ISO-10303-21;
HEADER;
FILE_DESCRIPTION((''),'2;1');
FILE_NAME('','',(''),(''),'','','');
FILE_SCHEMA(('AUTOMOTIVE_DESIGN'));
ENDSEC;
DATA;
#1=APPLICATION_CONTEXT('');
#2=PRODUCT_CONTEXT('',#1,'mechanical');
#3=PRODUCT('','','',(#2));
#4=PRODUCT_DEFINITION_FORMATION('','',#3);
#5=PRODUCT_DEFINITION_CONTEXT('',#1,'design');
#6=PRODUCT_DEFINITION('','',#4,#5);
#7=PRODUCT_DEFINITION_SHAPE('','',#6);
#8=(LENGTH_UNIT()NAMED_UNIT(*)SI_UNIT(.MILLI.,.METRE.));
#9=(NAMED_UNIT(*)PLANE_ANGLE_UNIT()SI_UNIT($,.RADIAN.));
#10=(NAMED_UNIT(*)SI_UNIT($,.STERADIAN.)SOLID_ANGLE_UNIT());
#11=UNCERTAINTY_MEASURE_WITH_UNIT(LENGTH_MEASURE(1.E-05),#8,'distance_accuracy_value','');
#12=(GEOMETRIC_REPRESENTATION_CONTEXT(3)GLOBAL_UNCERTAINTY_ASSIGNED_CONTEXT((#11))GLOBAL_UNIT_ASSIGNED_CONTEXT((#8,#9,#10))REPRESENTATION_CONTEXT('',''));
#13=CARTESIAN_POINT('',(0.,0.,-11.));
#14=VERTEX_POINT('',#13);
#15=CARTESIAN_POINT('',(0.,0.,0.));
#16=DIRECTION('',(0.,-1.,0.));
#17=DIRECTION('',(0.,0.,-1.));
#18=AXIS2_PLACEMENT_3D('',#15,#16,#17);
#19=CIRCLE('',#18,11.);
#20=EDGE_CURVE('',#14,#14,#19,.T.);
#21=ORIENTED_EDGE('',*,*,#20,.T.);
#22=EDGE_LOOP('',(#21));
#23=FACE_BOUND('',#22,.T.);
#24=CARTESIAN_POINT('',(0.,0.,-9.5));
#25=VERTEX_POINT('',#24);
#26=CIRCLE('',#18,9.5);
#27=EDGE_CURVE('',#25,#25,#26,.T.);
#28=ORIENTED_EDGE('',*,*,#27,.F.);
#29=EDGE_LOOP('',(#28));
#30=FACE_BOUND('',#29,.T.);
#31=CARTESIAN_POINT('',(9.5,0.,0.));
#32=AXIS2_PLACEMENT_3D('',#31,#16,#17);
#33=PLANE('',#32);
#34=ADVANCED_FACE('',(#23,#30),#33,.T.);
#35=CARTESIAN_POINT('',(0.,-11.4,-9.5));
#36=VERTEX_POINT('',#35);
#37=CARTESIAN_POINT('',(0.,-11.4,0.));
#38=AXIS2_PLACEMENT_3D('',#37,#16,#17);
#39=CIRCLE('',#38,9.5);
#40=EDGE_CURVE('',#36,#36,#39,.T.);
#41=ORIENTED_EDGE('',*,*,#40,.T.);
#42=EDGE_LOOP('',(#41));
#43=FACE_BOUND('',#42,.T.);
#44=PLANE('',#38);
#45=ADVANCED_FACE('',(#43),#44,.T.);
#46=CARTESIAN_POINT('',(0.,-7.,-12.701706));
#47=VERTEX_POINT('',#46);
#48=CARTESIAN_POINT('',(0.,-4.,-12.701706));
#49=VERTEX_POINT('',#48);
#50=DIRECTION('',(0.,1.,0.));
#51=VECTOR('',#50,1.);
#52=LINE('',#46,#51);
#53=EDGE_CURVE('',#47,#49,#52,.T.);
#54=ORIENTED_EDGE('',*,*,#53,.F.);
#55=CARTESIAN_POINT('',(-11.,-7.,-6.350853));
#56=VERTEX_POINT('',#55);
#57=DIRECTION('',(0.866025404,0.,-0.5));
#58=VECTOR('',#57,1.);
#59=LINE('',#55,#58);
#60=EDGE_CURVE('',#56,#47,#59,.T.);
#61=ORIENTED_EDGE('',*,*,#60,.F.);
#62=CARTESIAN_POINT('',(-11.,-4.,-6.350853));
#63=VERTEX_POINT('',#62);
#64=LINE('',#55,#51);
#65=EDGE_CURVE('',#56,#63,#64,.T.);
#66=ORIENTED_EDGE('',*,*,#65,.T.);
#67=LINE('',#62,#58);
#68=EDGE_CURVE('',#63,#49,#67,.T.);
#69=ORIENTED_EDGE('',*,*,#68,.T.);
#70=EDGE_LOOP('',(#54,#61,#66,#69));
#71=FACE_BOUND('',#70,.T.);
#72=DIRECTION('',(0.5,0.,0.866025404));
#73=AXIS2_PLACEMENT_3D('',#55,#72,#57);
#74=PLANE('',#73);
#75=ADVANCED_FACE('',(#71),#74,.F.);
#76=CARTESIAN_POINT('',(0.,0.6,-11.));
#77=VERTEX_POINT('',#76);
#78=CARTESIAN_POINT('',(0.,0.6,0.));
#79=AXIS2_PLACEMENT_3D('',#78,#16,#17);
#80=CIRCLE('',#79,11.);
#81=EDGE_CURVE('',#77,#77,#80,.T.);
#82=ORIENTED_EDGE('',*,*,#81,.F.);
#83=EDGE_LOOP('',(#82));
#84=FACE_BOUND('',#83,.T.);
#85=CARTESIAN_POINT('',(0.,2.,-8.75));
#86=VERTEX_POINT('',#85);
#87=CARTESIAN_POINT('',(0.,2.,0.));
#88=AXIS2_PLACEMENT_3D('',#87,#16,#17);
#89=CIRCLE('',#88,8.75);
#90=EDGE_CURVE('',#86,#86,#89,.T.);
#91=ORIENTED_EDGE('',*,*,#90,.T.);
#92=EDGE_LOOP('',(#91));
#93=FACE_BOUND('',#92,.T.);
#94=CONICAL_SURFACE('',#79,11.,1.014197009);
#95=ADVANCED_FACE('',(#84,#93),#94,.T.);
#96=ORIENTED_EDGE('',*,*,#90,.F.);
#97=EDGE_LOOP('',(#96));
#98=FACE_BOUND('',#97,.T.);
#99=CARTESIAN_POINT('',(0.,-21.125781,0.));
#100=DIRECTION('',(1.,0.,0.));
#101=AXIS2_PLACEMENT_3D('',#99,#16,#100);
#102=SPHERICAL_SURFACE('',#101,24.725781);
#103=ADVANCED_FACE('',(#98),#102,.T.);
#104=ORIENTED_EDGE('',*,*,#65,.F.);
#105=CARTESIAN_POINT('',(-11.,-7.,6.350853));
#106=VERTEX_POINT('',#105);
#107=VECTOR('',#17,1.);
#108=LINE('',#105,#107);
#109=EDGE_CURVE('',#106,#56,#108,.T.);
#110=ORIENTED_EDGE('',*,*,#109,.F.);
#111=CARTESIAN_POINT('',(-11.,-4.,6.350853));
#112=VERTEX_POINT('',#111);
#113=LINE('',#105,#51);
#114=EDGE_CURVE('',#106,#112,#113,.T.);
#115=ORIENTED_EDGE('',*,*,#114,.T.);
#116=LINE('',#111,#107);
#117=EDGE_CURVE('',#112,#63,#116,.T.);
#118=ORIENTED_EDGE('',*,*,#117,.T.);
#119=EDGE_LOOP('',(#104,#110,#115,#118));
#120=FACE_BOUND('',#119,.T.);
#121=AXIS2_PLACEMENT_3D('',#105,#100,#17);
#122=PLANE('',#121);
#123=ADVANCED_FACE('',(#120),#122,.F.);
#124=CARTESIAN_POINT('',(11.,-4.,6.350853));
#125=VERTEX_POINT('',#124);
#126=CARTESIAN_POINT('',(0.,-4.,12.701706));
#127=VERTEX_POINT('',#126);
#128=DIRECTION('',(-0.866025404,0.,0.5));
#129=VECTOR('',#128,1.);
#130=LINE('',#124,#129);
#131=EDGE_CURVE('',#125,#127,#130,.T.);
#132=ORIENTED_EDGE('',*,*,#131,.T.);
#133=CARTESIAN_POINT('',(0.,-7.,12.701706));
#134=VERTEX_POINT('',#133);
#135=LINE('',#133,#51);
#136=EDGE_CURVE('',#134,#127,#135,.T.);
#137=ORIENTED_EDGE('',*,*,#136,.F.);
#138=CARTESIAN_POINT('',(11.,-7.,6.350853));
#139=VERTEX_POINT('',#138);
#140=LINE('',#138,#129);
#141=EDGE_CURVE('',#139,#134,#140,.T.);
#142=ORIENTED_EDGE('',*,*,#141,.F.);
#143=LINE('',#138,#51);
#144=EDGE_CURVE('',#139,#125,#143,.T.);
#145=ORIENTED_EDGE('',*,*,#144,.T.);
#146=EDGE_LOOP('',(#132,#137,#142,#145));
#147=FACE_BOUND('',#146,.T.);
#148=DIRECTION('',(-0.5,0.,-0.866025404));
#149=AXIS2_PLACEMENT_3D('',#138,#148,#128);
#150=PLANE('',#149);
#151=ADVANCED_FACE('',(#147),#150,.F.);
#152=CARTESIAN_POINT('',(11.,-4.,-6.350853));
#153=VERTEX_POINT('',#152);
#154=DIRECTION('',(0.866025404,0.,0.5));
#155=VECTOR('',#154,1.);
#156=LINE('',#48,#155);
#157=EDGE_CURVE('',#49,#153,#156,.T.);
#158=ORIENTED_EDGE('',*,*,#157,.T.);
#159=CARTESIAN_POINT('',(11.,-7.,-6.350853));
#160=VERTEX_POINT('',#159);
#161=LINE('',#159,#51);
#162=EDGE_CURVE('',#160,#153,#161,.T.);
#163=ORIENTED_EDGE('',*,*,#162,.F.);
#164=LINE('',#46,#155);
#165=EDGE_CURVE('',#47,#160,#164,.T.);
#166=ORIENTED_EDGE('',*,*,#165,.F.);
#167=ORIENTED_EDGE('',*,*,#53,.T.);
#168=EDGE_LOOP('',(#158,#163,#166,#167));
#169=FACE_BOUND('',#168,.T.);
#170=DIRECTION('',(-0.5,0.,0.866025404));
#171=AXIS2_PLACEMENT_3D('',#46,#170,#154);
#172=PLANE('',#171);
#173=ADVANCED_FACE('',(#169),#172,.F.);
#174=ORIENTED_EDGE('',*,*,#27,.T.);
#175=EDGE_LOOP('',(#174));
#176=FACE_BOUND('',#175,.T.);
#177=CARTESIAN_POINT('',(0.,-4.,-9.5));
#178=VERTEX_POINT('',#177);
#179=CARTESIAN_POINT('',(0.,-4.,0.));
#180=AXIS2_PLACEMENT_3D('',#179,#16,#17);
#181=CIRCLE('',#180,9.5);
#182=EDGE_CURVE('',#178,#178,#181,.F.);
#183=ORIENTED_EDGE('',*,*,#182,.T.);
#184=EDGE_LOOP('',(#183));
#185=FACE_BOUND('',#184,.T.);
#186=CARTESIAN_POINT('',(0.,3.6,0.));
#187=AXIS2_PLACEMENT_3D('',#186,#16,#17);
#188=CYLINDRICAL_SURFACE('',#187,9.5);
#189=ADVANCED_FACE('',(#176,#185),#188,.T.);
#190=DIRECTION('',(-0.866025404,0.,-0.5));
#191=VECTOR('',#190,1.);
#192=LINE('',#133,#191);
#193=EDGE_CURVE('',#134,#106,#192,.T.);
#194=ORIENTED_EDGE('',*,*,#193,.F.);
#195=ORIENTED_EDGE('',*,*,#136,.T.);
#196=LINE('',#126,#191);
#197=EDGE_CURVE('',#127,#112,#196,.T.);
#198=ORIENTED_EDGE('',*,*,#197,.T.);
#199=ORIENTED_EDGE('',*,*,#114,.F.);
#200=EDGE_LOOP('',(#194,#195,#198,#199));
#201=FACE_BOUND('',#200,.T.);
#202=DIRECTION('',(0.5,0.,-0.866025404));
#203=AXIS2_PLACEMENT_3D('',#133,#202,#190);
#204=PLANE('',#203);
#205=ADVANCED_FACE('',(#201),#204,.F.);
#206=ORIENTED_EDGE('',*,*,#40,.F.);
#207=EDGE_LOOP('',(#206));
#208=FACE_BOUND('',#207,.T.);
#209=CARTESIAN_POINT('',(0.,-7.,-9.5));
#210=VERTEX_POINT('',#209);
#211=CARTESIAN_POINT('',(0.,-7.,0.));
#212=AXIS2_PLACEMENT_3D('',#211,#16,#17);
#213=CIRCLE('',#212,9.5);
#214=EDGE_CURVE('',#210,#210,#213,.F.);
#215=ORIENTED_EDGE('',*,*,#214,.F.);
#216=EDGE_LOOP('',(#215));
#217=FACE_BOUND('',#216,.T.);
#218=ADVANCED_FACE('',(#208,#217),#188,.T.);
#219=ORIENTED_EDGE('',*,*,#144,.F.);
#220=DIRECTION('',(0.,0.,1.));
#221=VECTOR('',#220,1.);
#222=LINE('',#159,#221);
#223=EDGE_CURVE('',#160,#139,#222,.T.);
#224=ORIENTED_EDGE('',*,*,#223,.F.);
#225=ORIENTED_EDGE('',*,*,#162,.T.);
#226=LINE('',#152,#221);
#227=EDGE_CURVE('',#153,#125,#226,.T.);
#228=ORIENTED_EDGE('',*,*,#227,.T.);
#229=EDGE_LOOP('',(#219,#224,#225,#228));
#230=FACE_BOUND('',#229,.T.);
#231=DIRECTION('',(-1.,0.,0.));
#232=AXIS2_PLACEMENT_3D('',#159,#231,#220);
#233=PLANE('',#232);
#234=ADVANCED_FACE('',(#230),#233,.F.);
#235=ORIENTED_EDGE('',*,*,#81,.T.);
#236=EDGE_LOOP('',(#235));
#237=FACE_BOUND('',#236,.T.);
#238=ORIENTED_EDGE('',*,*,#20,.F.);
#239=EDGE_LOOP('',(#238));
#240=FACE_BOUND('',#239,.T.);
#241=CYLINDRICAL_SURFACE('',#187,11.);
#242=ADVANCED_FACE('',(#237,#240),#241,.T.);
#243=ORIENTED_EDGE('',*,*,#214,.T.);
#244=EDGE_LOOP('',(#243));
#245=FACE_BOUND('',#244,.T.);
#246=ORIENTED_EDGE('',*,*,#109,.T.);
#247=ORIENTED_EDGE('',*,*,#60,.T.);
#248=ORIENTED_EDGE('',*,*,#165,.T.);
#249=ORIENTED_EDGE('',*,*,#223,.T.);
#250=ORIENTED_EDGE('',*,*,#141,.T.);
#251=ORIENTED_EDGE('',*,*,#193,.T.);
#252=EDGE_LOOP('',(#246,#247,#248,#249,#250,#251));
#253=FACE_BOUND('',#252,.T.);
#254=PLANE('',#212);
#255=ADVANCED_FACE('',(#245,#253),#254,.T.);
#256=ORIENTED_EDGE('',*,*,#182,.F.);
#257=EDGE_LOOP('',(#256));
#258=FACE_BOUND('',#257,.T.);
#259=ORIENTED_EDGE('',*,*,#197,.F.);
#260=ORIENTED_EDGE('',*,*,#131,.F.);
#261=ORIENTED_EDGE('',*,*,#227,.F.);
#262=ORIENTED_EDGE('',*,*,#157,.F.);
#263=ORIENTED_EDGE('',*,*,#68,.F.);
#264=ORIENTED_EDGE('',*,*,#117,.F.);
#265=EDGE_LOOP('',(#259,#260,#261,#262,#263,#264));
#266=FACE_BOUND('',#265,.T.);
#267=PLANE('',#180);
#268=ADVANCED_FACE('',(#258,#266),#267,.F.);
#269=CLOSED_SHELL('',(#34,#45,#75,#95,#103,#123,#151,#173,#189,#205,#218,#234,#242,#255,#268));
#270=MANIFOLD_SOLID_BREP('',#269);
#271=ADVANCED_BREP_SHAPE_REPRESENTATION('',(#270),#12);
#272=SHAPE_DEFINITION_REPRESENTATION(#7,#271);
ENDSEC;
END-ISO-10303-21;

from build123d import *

# Parameters (mm, degrees)
BOSS_EXTRUDE2_START = 4
BOSS_EXTRUDE2_DEPTH = 3


with BuildPart() as part:
    # Sketch1 → Revolve1 (revolve)
    with BuildSketch(Plane.XY, mode=Mode.PRIVATE) as revolve1_sk:
        with BuildLine():
            Line((9.5, 0), (11, 0))
            Line((11, 0), (11, 0.6))
            Line((11, 0.6), (8.75, 2))
            ThreePointArc((8.75, 2), (4.447541456, 3.196711086), (0, 3.6))
            Line((0, 3.6), (0, -11.4))
            Line((0, -11.4), (9.5, -11.4))
            Line((9.5, -11.4), (9.5, 0))
        make_face()
    revolve(revolve1_sk.sketch.rotate(Axis((0, 3.6, 0), (0, 1, 0)), 90), axis=Axis((0, 3.6, 0), (0, 1, 0)))

    # Sketch3 → Boss-Extrude2 (add)
    with BuildSketch(Plane.XZ.offset(BOSS_EXTRUDE2_START)):
        Polygon((0, 12.701705922), (-11, 6.350852961), (-11, -6.350852961), (0, -12.701705922), (11, -6.350852961), (11, 6.350852961), align=None)
    extrude(amount=BOSS_EXTRUDE2_DEPTH)


solid = part.part
